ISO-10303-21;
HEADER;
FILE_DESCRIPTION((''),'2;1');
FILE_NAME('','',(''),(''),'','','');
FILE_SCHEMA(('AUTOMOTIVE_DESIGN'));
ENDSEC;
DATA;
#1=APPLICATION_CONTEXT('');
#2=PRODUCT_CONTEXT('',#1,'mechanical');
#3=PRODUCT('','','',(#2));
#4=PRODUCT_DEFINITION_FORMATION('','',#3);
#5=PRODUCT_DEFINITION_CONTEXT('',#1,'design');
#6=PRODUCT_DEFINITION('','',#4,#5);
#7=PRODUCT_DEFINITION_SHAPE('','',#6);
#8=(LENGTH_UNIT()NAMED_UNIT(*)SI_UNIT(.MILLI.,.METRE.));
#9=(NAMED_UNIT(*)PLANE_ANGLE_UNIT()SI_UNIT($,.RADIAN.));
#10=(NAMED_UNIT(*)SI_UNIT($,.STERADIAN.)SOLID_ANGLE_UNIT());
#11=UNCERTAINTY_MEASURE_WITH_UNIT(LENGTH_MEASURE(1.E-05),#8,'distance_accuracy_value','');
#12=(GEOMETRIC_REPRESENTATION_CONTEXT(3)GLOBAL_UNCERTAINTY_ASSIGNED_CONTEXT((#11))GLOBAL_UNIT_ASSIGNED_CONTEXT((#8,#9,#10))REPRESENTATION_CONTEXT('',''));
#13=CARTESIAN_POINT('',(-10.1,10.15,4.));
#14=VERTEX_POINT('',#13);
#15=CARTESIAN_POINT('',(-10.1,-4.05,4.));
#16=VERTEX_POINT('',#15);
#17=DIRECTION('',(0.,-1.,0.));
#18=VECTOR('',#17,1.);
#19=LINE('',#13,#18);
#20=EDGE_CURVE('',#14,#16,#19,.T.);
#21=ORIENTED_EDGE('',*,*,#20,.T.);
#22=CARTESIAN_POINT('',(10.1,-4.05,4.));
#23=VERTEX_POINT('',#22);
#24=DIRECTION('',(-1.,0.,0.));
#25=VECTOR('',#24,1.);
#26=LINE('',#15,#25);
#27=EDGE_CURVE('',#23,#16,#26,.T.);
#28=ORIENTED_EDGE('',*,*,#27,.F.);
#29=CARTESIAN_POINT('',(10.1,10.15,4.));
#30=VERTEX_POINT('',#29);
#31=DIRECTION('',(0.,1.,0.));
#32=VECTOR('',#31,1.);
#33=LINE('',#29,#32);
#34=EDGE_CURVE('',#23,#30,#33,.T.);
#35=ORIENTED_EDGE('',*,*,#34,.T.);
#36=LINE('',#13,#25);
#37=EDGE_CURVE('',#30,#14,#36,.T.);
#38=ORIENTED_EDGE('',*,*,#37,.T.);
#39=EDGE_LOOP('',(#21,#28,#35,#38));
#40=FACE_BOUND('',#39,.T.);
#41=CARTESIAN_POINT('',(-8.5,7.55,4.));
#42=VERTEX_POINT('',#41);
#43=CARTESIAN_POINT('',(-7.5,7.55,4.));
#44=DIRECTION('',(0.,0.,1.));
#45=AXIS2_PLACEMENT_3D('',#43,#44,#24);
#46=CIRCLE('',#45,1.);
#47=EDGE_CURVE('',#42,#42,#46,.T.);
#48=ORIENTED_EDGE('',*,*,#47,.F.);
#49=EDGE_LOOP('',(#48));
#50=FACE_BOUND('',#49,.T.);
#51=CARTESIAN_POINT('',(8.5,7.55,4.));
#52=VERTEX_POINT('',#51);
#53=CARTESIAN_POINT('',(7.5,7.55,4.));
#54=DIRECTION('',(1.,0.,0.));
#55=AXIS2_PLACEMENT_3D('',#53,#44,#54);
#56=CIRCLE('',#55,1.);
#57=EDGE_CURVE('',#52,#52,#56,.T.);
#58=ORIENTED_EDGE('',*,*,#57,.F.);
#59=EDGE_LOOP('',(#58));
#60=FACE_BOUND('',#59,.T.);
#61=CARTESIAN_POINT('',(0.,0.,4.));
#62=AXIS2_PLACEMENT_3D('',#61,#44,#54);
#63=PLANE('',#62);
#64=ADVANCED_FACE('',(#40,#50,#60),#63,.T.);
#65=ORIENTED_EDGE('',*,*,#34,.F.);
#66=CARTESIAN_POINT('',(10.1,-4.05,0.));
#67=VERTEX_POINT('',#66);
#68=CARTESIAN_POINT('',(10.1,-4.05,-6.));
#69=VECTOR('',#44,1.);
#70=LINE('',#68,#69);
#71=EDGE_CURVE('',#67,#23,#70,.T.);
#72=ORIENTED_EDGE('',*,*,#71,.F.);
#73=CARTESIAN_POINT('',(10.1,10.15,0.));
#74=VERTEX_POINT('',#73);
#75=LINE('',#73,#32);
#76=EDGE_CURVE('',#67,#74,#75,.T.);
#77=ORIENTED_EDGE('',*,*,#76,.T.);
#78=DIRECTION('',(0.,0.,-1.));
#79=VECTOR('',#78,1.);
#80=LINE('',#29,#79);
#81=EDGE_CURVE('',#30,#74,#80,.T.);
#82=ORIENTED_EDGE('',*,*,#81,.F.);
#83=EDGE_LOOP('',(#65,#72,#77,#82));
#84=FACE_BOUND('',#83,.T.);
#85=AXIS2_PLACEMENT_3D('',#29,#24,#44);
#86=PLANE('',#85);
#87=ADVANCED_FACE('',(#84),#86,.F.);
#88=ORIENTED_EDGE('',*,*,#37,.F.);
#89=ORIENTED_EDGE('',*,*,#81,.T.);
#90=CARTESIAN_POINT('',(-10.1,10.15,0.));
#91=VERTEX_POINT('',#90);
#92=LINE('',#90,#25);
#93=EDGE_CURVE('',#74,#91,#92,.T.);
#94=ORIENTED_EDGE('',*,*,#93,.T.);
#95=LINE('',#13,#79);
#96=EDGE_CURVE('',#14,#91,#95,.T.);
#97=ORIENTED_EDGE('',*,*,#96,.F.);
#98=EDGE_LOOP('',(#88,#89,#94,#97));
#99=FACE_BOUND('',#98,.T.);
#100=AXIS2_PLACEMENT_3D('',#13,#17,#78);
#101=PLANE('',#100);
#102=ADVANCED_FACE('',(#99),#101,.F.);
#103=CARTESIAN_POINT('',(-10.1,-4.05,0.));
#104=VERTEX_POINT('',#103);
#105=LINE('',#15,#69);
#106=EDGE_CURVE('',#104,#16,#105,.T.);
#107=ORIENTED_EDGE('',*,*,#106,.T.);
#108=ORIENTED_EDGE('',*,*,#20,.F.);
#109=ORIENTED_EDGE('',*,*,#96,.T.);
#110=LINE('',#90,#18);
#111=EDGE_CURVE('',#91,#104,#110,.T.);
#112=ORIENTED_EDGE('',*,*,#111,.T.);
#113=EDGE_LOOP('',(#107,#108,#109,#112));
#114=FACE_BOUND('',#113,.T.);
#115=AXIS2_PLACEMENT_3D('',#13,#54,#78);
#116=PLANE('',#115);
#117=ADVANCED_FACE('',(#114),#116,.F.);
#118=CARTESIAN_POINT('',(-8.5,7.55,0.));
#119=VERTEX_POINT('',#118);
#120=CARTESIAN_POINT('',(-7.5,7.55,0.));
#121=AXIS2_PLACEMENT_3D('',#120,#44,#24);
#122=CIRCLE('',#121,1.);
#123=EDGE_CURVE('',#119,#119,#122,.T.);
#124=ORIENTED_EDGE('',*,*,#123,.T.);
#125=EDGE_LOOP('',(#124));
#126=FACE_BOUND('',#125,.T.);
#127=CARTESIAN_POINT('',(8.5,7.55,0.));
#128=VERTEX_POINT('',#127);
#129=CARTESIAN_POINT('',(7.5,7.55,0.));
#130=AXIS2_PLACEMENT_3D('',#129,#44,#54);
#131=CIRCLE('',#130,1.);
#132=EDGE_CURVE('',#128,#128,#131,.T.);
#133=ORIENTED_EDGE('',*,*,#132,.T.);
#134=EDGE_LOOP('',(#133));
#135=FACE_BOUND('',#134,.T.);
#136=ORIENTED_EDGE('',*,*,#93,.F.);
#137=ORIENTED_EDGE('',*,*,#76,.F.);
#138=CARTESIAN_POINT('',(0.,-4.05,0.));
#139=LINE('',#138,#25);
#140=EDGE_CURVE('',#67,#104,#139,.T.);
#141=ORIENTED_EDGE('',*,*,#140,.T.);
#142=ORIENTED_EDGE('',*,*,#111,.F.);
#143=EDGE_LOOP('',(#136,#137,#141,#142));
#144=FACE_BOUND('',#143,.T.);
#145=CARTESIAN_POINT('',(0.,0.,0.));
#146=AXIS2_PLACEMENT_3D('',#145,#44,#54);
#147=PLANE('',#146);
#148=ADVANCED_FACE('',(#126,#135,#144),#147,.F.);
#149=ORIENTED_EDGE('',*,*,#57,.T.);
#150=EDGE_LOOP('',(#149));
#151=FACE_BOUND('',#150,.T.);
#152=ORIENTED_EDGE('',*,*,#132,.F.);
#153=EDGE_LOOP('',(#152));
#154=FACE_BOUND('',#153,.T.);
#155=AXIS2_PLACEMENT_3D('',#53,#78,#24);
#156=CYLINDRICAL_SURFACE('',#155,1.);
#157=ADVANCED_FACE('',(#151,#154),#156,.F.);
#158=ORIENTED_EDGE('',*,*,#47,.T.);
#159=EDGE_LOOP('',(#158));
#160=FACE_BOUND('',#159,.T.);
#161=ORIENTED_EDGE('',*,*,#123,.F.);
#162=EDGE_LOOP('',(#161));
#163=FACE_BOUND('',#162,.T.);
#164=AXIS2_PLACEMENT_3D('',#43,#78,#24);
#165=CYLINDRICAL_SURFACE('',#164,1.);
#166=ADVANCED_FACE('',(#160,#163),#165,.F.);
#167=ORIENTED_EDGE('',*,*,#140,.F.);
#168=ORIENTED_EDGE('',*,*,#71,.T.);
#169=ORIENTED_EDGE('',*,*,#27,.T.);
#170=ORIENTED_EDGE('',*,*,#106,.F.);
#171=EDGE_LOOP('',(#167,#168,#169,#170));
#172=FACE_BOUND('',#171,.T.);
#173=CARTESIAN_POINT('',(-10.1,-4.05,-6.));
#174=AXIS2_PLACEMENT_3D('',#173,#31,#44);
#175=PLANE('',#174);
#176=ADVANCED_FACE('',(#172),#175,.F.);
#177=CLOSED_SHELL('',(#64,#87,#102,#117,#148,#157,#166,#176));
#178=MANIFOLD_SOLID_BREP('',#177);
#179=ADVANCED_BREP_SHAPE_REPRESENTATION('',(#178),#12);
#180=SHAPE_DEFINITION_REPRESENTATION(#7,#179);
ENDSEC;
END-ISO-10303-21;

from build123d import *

# Parameters (mm, degrees)
SKETCH1_W           = 20.2
SKETCH1_H           = 20.2
SKETCH1_R           = 1
BOSS_EXTRUDE1_DEPTH = 4
SKETCH2_R           = 7
SKETCH2_R_2         = 4
CUT_EXTRUDE1_DEPTH  = 4
SKETCH3_R           = 4
BOSS_EXTRUDE2_DEPTH = 4
SKETCH4_W           = 20.2
SKETCH4_H           = 6
CUT_EXTRUDE2_DEPTH  = 10


with BuildPart() as part:
    # Sketch1 → Boss-Extrude1 (new body)
    with BuildSketch(Plane.XY):
        with Locations((0, 0.05)):
            Rectangle(SKETCH1_W, SKETCH1_H)
        with Locations((7.5, 7.55)):
            Circle(SKETCH1_R, mode=Mode.SUBTRACT)
        with Locations(Location((-7.5, 7.55, 0), (0, 0, 180))):
            Circle(SKETCH1_R, mode=Mode.SUBTRACT)
        with Locations((7.5, -8.7)):
            Circle(SKETCH1_R, mode=Mode.SUBTRACT)
        with Locations(Location((-7.5, -8.7, 0), (0, 0, 180))):
            Circle(SKETCH1_R, mode=Mode.SUBTRACT)
    extrude(amount=BOSS_EXTRUDE1_DEPTH)

    # Sketch2 → Cut-Extrude1 (cut)
    with BuildSketch(Plane.XY.offset(4)):
        with Locations((0, -13.32)):
            Circle(SKETCH2_R)
        Circle(SKETCH2_R_2)
    extrude(amount=-CUT_EXTRUDE1_DEPTH, mode=Mode.SUBTRACT)

    # Sketch3 → Boss-Extrude2 (add)
    with BuildSketch(Plane.XY.offset(4)):
        Circle(SKETCH3_R)
    extrude(amount=-BOSS_EXTRUDE2_DEPTH)

    # Sketch4 → Cut-Extrude2 (cut)
    with BuildSketch(Plane.XY.offset(4)):
        with Locations((0, -7.05)):
            Rectangle(SKETCH4_W, SKETCH4_H)
    extrude(amount=-CUT_EXTRUDE2_DEPTH, mode=Mode.SUBTRACT)


solid = part.part
